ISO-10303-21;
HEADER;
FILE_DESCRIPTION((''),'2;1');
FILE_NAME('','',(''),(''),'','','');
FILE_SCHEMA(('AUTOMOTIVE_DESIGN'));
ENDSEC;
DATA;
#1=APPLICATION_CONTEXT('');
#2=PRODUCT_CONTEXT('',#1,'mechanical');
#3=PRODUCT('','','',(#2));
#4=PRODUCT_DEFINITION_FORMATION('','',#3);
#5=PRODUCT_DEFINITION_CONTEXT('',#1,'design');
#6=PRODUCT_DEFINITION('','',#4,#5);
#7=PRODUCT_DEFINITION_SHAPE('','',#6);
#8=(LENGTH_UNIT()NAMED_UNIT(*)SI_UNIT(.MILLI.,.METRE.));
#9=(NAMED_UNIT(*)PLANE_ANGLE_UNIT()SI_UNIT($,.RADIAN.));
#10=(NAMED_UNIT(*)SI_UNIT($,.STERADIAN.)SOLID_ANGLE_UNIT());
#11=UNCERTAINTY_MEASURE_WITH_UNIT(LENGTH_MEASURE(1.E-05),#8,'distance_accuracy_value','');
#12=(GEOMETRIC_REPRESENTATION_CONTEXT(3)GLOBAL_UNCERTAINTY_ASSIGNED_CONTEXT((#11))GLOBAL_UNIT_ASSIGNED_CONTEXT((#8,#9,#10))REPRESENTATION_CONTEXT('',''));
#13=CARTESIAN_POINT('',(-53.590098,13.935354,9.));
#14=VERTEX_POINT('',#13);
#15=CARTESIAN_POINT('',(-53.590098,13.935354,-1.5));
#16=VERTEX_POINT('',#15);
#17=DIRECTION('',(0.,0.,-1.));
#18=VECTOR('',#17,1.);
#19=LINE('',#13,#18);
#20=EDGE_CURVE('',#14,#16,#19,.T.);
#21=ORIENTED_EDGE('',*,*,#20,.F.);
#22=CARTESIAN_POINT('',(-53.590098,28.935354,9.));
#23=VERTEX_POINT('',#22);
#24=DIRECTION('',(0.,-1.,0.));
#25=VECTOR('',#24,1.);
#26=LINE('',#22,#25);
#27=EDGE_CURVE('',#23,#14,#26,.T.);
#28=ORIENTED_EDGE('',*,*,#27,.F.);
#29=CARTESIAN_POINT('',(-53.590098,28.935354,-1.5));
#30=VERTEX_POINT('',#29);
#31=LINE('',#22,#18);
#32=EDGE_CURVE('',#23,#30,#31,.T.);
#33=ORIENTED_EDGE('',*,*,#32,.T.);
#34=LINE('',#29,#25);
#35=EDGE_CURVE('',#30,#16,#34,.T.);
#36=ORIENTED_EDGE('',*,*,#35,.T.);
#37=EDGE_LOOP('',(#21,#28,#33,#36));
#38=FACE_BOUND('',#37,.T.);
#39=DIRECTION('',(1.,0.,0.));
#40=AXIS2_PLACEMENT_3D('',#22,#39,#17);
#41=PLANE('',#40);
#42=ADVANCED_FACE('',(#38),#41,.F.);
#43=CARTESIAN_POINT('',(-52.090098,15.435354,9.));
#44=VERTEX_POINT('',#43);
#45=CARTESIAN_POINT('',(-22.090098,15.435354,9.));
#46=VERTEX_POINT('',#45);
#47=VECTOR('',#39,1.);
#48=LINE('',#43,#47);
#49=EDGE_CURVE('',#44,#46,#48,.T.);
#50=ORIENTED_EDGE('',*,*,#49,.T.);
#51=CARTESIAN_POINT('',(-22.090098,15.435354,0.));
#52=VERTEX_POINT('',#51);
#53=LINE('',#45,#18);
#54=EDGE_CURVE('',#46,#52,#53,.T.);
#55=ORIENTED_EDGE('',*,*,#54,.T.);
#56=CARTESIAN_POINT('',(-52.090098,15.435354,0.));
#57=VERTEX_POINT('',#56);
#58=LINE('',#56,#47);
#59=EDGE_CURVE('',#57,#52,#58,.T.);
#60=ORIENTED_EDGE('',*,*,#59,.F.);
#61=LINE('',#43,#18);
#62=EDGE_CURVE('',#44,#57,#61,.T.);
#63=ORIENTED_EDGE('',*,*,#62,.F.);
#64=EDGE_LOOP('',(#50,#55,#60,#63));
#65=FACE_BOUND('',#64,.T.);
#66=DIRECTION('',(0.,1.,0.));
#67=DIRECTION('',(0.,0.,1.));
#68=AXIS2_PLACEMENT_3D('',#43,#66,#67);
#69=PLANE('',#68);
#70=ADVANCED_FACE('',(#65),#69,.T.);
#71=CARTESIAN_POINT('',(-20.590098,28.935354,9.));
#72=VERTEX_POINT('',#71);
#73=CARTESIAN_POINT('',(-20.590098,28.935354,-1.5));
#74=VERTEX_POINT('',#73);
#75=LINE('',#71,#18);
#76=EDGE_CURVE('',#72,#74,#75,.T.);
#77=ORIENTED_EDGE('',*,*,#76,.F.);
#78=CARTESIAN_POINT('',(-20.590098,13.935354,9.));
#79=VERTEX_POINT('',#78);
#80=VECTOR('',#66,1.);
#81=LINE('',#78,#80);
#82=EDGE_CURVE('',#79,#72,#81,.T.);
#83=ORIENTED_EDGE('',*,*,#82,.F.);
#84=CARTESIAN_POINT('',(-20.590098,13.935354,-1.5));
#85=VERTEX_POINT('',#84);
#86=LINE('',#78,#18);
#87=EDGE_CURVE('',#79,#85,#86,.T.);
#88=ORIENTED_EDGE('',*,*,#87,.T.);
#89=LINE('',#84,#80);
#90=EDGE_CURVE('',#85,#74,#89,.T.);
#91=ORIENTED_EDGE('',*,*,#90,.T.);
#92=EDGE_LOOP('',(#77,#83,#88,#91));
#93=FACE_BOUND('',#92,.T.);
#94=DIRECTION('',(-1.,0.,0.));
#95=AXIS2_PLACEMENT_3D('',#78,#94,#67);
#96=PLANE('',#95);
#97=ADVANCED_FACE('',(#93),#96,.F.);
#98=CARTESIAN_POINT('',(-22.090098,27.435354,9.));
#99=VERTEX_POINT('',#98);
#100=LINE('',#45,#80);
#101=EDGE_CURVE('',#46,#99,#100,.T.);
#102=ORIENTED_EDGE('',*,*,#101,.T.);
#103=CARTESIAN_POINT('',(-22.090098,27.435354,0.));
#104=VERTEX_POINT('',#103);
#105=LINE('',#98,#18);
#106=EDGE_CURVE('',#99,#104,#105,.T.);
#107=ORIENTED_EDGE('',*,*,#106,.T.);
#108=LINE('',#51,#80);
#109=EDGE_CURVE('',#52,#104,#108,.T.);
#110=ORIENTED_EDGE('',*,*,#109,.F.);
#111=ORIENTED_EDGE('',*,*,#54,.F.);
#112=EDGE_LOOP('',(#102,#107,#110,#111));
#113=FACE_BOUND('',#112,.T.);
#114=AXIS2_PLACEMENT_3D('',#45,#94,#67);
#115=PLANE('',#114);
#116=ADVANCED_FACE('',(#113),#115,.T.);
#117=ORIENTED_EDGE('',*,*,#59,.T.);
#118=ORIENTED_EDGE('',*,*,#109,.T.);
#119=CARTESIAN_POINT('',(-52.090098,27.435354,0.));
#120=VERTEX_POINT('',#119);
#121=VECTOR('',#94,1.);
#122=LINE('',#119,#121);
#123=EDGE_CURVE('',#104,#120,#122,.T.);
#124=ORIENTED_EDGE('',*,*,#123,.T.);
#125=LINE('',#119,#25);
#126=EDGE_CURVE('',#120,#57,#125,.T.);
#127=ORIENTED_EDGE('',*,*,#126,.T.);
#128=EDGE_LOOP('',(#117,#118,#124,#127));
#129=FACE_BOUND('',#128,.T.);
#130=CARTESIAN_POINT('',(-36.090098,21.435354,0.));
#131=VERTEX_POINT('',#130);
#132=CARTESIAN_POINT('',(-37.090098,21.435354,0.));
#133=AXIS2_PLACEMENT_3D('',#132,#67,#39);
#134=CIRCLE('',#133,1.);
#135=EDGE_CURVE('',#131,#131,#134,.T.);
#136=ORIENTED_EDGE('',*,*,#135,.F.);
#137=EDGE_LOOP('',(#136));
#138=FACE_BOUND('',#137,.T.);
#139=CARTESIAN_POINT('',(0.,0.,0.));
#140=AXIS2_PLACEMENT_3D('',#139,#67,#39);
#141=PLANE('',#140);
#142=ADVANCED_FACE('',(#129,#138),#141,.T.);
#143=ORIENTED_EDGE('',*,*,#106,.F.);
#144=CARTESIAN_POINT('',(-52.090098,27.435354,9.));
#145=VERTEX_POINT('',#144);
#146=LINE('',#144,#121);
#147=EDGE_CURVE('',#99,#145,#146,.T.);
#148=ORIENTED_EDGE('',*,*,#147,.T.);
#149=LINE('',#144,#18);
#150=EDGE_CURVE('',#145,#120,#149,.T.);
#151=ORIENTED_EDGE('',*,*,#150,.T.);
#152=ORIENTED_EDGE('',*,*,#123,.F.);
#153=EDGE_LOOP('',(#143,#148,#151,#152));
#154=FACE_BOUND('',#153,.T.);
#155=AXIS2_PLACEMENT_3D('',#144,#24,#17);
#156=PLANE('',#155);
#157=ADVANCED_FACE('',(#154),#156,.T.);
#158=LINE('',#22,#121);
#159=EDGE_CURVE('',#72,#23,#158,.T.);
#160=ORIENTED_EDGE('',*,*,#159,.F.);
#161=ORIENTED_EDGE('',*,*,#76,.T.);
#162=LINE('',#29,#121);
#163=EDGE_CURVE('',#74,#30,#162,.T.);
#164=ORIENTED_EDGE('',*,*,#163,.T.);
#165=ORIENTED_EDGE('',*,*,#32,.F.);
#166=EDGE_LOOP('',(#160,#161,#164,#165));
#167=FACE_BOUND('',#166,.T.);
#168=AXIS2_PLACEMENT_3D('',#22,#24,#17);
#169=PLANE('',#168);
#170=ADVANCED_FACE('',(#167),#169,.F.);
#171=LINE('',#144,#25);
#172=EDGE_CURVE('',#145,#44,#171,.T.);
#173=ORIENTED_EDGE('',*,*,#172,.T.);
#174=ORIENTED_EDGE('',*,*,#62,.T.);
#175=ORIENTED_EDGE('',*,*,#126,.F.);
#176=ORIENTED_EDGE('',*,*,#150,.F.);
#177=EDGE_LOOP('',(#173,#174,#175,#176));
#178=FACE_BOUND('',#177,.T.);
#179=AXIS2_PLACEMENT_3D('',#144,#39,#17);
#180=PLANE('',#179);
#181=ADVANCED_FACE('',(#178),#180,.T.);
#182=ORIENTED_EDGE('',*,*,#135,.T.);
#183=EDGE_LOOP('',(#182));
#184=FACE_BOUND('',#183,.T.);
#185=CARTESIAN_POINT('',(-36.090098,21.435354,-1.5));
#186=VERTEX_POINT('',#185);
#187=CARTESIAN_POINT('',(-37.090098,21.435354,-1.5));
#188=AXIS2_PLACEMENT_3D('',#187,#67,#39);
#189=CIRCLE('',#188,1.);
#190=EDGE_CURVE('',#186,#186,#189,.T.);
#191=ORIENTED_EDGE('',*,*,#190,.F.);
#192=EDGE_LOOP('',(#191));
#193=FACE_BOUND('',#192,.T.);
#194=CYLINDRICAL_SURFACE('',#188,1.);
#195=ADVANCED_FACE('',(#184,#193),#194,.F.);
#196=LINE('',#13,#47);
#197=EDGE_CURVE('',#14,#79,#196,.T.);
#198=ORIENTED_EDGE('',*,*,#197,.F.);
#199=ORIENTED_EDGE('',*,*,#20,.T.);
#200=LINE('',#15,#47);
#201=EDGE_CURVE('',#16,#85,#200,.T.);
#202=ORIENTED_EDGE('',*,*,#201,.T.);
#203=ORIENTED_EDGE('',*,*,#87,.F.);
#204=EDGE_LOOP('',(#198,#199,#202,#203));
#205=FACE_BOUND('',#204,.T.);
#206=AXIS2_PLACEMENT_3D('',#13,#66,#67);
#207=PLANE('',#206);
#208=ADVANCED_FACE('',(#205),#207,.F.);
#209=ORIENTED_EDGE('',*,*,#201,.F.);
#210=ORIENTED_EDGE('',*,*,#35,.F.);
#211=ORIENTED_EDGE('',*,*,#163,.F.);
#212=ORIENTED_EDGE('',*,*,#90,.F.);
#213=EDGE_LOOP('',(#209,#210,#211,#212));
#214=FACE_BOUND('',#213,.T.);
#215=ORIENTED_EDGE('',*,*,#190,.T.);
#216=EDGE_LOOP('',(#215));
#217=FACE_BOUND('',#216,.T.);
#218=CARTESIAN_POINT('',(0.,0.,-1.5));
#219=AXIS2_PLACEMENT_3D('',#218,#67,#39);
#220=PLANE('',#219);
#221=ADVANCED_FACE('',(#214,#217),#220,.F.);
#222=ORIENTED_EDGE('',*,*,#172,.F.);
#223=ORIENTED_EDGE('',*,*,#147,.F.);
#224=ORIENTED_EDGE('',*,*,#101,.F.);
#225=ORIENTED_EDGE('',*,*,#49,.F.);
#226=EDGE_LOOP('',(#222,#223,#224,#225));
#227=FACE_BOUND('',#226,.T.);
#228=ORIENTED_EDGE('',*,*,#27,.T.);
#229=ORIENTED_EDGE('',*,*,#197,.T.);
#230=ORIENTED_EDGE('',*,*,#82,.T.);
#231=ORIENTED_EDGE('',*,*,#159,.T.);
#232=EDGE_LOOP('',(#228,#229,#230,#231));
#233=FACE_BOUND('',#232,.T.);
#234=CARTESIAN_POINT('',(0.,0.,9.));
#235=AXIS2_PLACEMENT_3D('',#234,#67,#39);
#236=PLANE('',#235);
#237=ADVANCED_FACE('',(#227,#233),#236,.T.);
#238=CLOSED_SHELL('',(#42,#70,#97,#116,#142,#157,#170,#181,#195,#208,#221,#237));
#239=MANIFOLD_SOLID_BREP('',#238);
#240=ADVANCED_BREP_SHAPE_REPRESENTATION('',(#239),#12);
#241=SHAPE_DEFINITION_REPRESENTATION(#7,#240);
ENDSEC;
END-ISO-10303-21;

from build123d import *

# Parameters (mm, degrees)
CROQUIS1_W              = 33
CROQUIS1_H              = 15
CROQUIS1_W_2            = 30
CROQUIS1_H_2            = 12
SALIENTE_EXTRUIR1_DEPTH = 9
CROQUIS2_W              = 33
CROQUIS2_H              = 15
SALIENTE_EXTRUIR2_DEPTH = 1.5
CROQUIS3_R              = 1
CORTAR_EXTRUIR1_DEPTH   = 1.5


with BuildPart() as part:
    # Croquis1 → Saliente-Extruir1 (new body)
    with BuildSketch(Plane.XY):
        with Locations((-37.090098455, 21.435354346)):
            Rectangle(CROQUIS1_W, CROQUIS1_H)
        with Locations((-37.090098455, 21.435354346)):
            Rectangle(CROQUIS1_W_2, CROQUIS1_H_2, mode=Mode.SUBTRACT)
    extrude(amount=SALIENTE_EXTRUIR1_DEPTH)

    # Croquis2 → Saliente-Extruir2 (add)
    with BuildSketch(Plane.XY):
        with Locations((-37.090098455, 21.435354346)):
            Rectangle(CROQUIS2_W, CROQUIS2_H)
    extrude(amount=-SALIENTE_EXTRUIR2_DEPTH)

    # Croquis3 → Cortar-Extruir1 (cut)
    with BuildSketch(Plane.XY):
        with Locations((-37.090098455, 21.435354346)):
            Circle(CROQUIS3_R)
    extrude(amount=-CORTAR_EXTRUIR1_DEPTH, mode=Mode.SUBTRACT)


solid = part.part
